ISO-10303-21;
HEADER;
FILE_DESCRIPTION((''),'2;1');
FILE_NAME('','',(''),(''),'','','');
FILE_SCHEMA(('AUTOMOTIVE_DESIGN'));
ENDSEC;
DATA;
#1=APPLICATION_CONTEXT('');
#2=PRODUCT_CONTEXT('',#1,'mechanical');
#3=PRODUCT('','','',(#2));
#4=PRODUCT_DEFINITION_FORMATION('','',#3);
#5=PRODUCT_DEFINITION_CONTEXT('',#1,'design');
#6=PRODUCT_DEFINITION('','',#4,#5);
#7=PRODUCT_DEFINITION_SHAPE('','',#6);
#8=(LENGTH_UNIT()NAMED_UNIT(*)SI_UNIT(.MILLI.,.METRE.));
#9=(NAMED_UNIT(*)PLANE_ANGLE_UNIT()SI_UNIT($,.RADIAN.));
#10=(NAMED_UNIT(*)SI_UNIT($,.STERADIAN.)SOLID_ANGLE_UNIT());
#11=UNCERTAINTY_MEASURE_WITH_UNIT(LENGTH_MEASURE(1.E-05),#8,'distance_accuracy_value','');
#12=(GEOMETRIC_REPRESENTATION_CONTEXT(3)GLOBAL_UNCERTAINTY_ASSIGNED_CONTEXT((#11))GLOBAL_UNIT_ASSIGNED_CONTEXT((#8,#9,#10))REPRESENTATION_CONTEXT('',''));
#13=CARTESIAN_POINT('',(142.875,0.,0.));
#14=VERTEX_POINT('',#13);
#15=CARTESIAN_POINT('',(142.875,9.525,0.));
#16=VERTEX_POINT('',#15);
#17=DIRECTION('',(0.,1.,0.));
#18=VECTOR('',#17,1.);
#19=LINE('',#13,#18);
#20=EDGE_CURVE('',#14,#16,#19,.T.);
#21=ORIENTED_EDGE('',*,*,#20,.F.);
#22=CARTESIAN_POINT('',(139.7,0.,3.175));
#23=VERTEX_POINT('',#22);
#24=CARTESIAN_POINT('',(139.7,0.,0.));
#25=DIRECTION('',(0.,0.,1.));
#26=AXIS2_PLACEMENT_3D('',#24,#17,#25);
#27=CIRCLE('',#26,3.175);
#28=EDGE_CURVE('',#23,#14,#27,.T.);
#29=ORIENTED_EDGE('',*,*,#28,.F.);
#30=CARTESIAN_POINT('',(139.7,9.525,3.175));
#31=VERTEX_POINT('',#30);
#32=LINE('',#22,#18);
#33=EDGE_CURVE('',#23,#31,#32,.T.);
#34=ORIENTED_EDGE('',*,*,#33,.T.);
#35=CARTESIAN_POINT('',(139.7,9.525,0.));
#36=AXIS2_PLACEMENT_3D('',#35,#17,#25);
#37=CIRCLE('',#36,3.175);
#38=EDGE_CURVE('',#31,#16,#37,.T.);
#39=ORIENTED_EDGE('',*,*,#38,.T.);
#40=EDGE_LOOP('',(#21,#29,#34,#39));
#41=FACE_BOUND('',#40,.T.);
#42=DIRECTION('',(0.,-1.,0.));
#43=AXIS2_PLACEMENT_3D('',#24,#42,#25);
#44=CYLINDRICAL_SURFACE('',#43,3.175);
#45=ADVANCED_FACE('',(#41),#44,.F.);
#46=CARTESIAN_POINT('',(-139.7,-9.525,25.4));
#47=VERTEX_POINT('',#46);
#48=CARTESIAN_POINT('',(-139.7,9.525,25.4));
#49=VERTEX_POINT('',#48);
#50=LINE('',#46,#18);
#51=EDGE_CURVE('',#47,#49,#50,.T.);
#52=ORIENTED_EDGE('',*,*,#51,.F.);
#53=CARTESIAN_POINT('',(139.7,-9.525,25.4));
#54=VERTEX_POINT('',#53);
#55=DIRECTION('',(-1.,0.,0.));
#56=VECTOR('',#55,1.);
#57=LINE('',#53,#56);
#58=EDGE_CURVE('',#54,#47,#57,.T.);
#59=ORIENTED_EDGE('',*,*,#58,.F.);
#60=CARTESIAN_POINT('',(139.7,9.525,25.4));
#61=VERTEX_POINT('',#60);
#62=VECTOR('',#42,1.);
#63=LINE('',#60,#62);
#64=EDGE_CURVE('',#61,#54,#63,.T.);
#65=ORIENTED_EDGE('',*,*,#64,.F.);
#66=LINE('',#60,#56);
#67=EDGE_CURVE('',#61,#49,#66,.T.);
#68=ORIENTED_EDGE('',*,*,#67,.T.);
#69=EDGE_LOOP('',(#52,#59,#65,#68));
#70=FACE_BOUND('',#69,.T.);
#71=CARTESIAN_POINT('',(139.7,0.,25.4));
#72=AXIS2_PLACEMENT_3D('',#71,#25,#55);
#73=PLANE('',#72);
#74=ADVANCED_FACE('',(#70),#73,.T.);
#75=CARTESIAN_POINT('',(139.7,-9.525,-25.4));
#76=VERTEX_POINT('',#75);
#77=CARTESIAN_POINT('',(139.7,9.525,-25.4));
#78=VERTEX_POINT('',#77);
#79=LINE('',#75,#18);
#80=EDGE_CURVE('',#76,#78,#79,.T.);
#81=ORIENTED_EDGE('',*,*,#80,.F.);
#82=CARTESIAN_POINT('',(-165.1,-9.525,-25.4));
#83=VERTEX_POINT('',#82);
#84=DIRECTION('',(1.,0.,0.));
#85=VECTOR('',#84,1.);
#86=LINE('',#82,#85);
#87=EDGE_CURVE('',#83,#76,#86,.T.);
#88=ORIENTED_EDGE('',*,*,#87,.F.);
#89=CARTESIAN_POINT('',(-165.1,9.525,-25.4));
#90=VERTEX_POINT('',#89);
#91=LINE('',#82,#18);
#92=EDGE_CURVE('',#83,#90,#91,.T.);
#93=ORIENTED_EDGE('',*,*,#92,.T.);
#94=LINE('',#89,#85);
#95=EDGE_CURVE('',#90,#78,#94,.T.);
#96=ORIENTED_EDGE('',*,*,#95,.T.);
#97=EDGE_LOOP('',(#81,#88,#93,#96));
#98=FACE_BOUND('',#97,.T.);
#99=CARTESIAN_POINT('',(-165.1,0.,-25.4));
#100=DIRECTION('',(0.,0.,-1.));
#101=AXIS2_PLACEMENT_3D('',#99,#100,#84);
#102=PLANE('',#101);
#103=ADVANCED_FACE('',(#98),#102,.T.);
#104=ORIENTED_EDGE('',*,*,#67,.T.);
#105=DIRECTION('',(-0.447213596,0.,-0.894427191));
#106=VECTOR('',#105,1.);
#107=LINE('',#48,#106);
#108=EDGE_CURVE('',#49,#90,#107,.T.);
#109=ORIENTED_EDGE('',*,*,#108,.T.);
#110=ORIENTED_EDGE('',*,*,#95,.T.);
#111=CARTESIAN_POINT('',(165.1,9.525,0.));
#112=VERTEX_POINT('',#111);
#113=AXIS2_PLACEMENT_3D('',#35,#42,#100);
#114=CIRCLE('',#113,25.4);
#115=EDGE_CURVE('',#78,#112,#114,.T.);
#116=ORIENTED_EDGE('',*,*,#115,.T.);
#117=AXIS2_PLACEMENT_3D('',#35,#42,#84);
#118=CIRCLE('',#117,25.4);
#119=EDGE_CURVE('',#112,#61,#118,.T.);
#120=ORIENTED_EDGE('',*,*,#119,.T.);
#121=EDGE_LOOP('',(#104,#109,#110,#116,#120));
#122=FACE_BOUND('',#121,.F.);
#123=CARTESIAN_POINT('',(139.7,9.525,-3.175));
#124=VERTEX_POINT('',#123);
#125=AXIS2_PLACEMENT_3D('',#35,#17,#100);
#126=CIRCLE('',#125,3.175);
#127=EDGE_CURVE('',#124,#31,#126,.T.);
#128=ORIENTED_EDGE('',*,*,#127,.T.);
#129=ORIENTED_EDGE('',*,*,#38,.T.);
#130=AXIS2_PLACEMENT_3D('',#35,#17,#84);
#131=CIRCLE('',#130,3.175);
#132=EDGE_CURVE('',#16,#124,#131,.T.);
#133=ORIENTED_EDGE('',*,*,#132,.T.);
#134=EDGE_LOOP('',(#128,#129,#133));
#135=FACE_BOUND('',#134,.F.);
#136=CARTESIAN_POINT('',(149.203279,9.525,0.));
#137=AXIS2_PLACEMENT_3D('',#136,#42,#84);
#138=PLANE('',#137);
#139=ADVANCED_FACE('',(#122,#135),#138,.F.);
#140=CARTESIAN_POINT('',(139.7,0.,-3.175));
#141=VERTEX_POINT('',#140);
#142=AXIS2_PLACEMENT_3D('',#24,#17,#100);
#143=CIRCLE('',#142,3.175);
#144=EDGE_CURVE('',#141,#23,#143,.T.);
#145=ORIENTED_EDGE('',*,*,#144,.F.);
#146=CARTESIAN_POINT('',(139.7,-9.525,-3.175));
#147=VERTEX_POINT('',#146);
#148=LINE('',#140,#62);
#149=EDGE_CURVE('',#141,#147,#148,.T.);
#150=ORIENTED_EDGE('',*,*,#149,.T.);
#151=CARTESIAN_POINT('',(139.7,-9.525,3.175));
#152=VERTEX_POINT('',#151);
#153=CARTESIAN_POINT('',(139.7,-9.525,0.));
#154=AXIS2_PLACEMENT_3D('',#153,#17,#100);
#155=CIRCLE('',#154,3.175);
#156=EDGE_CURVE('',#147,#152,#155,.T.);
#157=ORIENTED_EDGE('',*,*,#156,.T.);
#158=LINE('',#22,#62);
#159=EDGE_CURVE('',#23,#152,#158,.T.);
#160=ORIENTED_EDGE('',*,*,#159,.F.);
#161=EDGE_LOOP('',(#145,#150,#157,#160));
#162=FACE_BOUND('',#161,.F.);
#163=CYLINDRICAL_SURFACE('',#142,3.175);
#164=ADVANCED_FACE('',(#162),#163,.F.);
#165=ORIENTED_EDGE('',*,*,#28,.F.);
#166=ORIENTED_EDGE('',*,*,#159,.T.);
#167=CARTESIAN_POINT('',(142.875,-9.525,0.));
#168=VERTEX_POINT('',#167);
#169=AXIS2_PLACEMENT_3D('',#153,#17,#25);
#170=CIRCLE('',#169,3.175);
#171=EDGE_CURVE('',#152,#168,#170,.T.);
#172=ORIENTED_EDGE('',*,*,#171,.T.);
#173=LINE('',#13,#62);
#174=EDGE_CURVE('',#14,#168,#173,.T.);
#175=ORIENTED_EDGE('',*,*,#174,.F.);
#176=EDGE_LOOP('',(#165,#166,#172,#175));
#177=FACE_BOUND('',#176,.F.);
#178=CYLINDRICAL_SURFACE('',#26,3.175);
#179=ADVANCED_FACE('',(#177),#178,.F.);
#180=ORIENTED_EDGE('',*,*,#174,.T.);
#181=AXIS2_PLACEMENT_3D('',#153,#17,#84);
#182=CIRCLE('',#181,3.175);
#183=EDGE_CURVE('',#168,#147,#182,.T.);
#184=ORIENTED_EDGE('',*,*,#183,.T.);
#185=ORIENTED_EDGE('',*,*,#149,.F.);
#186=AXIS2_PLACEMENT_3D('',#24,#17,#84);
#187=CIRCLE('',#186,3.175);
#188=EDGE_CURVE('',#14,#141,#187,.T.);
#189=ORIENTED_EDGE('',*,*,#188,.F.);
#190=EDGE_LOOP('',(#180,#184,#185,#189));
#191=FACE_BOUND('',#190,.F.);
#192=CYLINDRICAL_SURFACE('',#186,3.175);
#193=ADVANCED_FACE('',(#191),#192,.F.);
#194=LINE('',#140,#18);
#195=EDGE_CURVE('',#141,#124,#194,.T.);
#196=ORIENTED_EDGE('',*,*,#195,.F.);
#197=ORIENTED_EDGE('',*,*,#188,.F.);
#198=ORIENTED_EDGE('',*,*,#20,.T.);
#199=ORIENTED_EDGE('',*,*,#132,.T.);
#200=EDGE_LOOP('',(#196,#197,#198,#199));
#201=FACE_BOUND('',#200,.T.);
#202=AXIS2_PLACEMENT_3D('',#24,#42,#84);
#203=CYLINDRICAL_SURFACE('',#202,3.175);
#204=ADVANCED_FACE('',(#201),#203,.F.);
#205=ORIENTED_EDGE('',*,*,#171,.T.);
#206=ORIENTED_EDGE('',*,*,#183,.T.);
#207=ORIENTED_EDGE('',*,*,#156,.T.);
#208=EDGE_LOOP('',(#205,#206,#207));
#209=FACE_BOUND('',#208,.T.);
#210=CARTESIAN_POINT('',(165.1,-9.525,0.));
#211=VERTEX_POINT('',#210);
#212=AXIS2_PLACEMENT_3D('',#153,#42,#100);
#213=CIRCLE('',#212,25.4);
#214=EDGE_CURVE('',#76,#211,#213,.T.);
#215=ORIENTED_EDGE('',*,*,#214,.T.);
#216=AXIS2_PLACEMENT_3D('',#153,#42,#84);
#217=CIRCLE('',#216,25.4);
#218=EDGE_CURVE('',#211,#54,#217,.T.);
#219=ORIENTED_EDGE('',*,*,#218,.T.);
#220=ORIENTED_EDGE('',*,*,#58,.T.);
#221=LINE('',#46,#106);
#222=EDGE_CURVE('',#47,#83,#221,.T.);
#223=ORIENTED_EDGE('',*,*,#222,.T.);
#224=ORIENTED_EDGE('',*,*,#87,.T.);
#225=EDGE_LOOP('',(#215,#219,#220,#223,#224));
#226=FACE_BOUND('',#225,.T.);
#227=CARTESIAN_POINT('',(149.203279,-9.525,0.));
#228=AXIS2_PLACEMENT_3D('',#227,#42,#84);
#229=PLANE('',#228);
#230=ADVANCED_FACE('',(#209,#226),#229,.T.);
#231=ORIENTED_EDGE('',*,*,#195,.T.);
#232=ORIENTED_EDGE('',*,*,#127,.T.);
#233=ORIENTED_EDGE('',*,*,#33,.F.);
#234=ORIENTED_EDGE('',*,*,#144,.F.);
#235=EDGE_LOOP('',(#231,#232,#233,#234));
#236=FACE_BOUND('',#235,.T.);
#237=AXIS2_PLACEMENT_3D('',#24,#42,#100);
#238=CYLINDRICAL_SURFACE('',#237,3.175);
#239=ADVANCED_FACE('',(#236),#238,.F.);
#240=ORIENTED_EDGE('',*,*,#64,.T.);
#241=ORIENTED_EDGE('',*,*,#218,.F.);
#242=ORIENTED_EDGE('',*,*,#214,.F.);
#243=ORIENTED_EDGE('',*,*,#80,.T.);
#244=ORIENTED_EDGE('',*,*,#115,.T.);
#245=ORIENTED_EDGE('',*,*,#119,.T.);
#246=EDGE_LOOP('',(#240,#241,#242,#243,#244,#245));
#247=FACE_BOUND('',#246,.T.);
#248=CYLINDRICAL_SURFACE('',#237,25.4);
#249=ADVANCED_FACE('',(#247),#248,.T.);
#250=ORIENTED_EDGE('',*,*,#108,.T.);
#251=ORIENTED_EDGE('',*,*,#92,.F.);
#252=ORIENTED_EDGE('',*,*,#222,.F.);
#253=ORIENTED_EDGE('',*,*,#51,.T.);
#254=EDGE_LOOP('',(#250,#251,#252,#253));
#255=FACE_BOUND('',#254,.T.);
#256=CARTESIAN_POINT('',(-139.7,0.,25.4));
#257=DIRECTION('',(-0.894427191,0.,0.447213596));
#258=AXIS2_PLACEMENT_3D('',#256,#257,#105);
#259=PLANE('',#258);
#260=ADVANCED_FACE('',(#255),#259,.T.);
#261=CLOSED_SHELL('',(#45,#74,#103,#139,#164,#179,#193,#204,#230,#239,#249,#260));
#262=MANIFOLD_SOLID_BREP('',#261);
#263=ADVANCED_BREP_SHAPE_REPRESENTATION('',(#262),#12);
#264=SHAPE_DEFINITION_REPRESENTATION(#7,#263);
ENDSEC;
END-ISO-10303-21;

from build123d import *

# Parameters (mm, degrees)
F1_DEPTH = 9.525


with BuildPart() as f1:
    # F0 (on Front) → F1 (new body, symmetric)
    with BuildSketch(Plane.XZ):
        with BuildLine():
            ThreePointArc((139.7, -25.4), (157.6605122421, -17.9605122421), (165.1, 0))
            ThreePointArc((165.1, 0), (157.6605122421, 17.9605122421), (139.7, 25.4))
            Line((139.7, 25.4), (139.7, 3.175))
            ThreePointArc((139.7, 3.175), (141.9450640303, 2.2450640303), (142.875, 0))
            ThreePointArc((142.875, 0), (141.9450640303, -2.2450640303), (139.7, -3.175))
            Line((139.7, -3.175), (139.7, -25.4))
        make_face()
        with BuildLine():
            Line((139.7, 3.175), (139.7, 25.4))
            ThreePointArc((139.7, 25.4), (114.3, 0), (139.7, -25.4))
            Line((139.7, -25.4), (139.7, -3.175))
            ThreePointArc((139.7, -3.175), (136.525, 0), (139.7, 3.175))
        make_face()
        with BuildLine():
            ThreePointArc((139.7, -25.4), (114.3, 0), (139.7, 25.4))
            Line((139.7, 25.4), (-139.7, 25.4))
            Line((-139.7, 25.4), (-139.7, -25.4))
            Line((-139.7, -25.4), (139.7, -25.4))
        make_face()
        Polygon((-139.7, -25.4), (-139.7, 25.4), (-165.1, -25.4), align=None)
    extrude(amount=F1_DEPTH, both=True)


solid = f1.part
